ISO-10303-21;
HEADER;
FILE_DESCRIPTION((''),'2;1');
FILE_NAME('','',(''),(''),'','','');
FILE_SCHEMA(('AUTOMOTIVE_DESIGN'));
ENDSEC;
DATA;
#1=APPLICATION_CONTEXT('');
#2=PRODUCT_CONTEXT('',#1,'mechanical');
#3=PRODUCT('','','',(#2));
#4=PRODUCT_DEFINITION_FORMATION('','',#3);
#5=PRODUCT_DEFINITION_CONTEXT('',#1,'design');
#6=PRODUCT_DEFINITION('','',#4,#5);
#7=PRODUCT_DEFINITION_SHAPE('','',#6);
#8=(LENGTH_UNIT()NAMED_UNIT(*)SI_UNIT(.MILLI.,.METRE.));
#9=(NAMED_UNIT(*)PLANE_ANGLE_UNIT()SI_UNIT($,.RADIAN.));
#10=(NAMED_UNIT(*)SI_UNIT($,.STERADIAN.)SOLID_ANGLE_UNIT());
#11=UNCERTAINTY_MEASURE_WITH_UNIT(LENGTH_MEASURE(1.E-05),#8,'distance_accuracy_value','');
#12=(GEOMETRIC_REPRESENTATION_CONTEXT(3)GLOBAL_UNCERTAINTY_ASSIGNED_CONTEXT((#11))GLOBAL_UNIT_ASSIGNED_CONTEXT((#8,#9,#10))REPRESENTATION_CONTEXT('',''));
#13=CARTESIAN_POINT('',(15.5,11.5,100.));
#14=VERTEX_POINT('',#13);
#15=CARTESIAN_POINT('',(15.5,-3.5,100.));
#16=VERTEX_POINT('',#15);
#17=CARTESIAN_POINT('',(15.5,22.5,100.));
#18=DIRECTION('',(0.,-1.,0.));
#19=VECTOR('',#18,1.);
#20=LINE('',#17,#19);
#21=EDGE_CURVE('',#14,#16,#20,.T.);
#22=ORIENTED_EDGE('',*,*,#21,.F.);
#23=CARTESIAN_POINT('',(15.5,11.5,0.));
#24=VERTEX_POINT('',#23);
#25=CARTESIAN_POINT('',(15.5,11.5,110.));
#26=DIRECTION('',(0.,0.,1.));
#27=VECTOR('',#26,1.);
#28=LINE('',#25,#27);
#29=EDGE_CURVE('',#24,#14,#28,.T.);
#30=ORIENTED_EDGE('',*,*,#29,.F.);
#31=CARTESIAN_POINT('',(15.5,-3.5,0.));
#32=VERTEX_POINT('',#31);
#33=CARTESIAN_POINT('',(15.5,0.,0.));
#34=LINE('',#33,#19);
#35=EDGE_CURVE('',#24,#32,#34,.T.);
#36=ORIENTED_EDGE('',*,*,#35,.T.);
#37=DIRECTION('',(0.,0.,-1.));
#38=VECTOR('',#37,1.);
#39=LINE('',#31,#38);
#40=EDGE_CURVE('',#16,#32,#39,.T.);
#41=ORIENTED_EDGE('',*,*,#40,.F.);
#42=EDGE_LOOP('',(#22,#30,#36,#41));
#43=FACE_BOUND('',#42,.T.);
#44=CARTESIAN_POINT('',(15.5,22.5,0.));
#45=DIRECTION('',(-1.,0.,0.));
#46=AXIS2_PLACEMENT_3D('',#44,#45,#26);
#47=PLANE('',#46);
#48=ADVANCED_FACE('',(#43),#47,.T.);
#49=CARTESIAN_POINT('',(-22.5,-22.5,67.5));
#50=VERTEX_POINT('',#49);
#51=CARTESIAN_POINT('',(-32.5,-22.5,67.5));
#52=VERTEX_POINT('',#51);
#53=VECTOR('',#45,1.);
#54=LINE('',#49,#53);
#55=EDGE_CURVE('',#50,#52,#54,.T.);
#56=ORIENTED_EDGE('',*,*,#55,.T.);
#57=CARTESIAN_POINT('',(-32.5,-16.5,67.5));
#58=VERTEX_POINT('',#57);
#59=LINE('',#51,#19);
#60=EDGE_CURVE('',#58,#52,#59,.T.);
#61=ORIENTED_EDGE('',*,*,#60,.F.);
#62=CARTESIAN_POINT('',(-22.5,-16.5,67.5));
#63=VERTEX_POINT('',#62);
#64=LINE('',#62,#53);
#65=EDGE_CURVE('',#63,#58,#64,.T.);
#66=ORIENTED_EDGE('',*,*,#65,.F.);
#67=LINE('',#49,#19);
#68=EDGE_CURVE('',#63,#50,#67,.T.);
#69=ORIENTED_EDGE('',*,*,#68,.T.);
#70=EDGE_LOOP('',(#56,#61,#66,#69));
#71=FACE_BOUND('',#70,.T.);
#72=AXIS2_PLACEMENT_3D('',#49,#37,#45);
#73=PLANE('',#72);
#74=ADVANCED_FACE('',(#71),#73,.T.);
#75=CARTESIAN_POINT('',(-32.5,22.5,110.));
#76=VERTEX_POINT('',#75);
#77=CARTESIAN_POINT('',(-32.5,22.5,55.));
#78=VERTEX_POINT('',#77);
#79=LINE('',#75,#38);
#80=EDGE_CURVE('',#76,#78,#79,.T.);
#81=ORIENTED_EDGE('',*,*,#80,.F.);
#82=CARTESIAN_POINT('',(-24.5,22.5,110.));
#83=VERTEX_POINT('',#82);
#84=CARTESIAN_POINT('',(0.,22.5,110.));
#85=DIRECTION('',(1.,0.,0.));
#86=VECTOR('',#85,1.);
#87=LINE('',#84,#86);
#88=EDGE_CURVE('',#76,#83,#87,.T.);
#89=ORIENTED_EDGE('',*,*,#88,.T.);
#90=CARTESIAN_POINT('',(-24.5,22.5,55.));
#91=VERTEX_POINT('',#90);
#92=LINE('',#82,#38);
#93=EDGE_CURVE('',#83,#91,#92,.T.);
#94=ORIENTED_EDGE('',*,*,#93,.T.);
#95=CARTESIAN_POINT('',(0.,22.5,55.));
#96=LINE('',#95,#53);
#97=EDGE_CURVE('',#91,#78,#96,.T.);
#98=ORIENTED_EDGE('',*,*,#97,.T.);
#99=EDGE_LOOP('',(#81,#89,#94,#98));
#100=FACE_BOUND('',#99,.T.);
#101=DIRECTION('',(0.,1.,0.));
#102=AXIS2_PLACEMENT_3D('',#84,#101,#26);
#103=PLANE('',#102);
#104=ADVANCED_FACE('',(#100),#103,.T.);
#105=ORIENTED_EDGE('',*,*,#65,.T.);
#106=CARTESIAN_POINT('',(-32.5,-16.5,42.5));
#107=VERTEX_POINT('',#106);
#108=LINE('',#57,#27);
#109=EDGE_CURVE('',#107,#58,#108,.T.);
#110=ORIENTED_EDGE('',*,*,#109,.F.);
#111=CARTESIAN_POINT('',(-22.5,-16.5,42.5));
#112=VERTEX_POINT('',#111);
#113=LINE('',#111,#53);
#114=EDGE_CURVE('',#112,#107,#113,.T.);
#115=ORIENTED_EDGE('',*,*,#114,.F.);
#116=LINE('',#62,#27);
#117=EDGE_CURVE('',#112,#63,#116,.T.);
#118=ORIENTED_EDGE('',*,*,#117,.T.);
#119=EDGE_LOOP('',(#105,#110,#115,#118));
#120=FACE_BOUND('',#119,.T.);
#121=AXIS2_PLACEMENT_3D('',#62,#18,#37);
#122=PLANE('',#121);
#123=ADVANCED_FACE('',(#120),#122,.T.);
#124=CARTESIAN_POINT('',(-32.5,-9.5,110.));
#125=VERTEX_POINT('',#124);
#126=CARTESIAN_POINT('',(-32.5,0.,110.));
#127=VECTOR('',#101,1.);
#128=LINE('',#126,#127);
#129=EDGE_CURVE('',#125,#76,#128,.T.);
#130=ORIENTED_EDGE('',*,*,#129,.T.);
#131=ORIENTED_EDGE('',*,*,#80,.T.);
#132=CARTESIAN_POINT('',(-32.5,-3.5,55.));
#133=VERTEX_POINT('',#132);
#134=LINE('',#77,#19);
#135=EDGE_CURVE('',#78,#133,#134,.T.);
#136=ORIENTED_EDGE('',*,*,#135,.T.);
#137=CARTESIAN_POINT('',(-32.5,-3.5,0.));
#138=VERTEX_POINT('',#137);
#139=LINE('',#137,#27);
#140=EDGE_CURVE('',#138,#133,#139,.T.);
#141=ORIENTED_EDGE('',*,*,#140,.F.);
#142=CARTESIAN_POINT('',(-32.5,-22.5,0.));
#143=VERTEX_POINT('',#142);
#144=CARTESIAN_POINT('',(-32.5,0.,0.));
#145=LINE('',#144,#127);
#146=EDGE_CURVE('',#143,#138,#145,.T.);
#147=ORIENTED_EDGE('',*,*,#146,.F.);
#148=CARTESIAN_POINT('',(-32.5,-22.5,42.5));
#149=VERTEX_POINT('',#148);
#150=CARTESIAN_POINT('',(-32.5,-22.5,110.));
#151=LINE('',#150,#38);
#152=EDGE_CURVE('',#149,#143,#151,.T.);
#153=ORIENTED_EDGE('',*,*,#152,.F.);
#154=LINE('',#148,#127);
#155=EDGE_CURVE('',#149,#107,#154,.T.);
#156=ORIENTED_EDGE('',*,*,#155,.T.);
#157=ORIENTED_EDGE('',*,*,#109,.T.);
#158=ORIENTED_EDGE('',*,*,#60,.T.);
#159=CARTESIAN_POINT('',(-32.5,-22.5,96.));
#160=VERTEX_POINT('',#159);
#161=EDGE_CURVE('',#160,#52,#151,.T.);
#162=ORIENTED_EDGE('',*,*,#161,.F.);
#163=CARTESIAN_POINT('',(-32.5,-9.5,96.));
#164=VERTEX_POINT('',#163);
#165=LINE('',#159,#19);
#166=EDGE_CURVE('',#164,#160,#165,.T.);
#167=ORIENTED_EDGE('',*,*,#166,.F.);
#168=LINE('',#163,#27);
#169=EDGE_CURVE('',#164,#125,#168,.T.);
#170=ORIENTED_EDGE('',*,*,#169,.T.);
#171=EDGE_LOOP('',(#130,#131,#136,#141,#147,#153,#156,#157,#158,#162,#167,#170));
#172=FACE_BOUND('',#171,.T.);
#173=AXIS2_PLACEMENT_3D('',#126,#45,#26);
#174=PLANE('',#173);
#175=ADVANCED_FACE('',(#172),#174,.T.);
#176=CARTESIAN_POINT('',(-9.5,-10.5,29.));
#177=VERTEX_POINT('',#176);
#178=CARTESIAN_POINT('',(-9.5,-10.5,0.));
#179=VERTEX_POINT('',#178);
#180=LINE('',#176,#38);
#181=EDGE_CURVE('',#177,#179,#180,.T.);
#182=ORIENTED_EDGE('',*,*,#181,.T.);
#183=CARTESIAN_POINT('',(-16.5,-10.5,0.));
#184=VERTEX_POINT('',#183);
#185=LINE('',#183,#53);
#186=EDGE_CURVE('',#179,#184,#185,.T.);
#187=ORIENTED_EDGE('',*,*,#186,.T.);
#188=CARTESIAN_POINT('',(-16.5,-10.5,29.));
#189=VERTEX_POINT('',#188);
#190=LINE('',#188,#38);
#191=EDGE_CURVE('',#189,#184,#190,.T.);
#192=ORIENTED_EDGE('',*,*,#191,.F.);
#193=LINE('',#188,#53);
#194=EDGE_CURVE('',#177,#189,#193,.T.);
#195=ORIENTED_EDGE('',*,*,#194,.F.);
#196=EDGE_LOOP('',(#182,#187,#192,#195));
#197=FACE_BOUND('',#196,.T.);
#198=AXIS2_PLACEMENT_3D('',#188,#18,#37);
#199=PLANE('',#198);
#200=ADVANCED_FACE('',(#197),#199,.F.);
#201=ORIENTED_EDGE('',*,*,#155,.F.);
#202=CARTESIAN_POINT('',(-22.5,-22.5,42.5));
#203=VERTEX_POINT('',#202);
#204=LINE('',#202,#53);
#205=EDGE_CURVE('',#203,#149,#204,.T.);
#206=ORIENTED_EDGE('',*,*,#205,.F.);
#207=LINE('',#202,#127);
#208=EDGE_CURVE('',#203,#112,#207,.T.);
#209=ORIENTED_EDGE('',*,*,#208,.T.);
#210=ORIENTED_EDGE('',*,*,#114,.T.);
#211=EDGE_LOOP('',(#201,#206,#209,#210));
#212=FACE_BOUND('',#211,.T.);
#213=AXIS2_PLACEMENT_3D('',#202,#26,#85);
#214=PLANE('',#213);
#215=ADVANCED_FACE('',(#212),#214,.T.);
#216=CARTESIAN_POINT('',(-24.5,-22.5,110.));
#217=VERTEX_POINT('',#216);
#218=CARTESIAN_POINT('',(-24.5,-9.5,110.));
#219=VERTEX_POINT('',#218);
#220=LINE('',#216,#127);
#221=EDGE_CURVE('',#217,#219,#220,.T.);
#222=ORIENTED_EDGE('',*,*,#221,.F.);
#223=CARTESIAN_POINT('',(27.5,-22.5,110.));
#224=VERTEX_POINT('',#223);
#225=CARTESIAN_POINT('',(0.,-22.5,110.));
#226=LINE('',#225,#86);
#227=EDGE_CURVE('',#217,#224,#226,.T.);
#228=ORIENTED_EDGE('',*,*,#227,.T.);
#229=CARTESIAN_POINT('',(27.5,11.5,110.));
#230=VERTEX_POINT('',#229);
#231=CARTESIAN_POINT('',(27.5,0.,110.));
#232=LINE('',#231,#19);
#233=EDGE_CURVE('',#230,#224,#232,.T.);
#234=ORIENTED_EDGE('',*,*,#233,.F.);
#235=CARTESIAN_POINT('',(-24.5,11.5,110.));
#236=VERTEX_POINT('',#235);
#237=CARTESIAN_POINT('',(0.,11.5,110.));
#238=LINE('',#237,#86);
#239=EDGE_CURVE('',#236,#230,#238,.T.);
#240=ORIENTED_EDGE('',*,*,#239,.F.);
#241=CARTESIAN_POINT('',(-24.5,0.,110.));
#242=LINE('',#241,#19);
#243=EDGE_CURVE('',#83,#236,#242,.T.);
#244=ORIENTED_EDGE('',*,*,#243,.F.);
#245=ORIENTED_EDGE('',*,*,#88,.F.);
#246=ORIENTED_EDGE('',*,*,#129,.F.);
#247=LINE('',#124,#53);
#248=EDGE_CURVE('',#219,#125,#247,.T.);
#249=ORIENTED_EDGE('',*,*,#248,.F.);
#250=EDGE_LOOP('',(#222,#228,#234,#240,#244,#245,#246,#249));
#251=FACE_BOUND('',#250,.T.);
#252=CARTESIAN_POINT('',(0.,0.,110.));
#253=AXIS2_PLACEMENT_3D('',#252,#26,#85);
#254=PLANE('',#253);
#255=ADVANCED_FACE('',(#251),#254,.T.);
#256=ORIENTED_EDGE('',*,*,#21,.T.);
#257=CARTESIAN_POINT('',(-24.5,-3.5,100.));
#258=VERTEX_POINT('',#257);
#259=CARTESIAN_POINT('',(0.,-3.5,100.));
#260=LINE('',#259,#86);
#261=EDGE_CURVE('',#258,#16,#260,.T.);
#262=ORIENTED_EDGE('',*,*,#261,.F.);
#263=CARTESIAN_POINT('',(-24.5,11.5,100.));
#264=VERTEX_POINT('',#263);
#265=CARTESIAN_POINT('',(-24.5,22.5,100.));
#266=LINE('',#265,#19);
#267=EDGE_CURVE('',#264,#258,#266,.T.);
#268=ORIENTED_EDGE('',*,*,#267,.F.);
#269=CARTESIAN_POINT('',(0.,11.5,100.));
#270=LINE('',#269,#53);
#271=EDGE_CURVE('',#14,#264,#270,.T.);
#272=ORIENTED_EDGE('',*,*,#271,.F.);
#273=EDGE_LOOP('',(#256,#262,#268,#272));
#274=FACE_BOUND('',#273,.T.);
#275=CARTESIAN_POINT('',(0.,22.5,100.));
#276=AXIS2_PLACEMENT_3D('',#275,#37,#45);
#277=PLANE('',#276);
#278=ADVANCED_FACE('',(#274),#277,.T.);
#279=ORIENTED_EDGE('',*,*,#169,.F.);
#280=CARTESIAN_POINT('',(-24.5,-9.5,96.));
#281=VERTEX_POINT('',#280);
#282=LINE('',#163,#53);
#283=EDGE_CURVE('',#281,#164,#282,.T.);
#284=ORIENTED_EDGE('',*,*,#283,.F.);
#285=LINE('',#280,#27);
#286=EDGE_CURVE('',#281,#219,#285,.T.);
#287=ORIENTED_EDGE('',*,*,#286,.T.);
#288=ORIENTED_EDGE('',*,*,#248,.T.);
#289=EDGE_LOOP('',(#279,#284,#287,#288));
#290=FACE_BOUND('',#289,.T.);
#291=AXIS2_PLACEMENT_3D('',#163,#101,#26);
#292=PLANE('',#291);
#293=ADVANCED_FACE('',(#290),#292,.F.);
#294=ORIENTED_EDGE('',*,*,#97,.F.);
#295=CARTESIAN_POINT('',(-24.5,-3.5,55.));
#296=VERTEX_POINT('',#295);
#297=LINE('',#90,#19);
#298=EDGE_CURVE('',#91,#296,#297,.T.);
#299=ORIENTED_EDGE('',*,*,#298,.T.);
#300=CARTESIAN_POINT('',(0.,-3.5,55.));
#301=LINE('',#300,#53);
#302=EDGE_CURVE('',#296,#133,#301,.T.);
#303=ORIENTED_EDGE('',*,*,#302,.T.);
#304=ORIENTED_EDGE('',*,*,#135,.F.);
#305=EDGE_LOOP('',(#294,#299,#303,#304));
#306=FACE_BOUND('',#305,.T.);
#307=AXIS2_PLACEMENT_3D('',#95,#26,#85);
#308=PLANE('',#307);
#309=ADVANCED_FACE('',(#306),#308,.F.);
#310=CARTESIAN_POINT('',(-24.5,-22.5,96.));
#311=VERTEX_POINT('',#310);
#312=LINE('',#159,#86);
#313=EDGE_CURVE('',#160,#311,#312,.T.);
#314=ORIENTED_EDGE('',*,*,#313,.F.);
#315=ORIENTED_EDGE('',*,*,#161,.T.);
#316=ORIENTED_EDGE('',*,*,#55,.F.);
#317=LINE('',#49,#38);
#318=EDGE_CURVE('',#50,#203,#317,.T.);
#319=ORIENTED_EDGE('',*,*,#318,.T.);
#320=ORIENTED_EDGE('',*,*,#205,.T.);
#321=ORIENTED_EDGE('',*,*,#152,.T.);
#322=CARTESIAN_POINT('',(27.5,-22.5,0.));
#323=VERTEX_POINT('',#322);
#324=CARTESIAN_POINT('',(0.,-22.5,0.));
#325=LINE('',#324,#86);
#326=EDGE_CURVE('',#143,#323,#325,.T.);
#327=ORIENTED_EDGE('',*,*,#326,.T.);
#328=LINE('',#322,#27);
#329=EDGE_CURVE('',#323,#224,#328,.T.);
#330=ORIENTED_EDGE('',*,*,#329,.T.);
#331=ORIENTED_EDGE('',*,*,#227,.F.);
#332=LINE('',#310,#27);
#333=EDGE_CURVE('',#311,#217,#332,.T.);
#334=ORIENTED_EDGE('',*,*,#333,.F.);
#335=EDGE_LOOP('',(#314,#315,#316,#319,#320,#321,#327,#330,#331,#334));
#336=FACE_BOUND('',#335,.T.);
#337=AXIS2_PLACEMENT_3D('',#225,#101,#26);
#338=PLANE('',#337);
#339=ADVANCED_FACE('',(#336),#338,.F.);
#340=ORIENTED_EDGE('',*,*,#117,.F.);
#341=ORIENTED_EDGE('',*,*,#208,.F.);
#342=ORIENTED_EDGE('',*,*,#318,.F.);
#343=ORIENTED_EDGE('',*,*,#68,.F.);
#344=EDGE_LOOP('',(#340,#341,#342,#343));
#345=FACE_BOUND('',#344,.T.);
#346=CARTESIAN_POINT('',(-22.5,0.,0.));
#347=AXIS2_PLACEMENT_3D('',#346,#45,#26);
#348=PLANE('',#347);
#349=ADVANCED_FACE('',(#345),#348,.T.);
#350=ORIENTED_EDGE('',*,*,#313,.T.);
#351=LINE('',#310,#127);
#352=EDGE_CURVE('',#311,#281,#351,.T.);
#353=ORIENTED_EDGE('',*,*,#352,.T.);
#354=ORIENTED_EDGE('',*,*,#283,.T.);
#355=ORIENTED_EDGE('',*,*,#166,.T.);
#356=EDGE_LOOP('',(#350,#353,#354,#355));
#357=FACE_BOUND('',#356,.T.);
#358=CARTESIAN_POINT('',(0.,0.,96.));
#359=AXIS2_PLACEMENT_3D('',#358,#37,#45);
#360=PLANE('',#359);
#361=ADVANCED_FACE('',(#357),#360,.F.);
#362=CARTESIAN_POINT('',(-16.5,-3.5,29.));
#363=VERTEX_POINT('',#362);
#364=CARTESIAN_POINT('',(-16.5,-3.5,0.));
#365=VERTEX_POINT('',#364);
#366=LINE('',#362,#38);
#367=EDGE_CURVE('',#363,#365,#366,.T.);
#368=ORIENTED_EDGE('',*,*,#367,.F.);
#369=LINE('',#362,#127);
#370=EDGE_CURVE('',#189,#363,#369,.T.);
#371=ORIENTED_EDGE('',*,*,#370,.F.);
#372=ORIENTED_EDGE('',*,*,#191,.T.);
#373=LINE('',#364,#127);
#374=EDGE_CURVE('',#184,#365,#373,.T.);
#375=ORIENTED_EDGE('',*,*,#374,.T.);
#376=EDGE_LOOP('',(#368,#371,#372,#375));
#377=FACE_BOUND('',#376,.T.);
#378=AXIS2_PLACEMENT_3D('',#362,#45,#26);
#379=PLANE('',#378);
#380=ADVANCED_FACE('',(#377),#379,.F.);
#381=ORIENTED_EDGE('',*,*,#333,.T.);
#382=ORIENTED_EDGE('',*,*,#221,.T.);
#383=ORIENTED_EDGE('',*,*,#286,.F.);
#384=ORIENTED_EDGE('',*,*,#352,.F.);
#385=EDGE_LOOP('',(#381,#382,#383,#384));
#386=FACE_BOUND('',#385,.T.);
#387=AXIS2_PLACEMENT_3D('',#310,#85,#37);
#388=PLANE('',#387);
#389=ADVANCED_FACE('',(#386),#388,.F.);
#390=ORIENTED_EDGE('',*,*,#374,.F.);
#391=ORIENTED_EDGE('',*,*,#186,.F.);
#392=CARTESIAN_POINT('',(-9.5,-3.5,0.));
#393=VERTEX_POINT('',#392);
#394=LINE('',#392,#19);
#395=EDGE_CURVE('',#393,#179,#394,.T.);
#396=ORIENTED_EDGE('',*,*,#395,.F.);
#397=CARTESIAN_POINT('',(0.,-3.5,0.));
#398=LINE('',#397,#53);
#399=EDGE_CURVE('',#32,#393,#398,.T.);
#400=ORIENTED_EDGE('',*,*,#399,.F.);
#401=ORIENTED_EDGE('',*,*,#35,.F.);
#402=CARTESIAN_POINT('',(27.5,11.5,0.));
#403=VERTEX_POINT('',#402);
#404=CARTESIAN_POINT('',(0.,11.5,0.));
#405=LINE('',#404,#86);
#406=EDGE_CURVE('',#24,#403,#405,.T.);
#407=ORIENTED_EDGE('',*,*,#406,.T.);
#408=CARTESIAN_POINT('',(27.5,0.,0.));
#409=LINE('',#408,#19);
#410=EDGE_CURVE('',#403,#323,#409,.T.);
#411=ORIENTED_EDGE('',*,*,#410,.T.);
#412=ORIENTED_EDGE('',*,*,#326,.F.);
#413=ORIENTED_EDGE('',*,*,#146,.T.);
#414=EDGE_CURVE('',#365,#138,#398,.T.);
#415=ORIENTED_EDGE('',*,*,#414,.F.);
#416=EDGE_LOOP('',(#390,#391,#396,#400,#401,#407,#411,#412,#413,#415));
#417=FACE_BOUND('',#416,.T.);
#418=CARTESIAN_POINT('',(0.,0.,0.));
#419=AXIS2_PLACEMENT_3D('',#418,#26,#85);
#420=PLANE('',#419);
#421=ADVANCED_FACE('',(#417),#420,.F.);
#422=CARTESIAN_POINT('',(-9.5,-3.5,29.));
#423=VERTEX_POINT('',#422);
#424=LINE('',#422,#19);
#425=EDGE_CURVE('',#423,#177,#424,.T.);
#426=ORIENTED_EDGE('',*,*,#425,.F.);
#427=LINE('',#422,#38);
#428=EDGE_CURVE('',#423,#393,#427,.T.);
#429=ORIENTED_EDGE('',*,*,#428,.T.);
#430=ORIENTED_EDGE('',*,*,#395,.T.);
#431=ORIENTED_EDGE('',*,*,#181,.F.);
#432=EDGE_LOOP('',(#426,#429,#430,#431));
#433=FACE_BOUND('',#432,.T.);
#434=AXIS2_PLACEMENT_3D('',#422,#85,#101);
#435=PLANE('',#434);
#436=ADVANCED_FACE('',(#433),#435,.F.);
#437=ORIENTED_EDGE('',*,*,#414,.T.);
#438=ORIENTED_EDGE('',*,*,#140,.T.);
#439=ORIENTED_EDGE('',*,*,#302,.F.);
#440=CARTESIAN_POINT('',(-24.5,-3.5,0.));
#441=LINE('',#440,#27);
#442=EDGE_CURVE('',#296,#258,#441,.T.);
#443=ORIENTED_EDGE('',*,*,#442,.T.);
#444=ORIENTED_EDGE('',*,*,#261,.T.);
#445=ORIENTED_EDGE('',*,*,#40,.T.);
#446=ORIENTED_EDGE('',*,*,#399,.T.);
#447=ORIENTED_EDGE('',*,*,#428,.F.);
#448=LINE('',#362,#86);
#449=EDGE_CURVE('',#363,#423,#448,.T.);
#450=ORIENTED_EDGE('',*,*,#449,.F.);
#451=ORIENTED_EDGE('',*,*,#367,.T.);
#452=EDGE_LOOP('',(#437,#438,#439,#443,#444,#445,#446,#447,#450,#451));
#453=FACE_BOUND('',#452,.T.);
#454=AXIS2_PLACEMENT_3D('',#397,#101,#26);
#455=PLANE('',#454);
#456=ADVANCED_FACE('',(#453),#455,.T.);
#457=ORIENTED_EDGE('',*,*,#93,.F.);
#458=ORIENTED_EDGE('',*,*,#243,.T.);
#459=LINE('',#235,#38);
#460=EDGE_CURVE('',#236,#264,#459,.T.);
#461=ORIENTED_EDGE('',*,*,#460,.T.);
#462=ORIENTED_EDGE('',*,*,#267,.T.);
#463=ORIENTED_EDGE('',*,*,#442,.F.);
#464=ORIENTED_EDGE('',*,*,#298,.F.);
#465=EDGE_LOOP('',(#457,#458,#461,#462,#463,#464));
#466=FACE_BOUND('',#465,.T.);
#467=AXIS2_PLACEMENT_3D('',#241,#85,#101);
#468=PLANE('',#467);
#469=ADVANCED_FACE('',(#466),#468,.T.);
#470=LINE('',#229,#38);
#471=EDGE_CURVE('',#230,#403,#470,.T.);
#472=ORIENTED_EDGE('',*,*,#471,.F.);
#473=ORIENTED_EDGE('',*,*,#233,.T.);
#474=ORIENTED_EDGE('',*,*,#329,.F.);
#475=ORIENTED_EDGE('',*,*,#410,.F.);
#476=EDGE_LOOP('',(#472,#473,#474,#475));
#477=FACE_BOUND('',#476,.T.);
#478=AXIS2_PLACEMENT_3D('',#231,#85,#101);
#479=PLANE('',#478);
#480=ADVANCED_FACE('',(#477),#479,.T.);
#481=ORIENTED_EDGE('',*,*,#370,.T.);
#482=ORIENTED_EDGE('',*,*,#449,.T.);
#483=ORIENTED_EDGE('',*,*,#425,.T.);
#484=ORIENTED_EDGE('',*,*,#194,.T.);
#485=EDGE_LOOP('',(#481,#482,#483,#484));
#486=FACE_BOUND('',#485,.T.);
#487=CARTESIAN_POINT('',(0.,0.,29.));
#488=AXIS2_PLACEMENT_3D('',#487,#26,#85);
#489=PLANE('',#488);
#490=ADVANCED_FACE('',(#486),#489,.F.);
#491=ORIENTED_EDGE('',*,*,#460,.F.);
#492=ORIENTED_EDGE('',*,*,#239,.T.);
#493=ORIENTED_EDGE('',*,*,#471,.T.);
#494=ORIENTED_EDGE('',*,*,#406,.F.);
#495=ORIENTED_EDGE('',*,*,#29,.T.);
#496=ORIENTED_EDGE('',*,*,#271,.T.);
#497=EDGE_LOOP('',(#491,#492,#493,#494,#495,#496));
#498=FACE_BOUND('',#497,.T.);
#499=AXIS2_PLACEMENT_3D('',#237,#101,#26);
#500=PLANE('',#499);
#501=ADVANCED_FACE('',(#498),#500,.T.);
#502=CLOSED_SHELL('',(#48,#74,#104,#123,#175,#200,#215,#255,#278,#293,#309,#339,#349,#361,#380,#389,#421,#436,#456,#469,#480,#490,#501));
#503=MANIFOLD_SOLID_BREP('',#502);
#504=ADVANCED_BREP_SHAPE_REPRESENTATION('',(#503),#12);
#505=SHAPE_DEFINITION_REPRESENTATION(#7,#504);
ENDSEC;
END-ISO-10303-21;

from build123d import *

# Parameters (mm, degrees)
EXTRUDE_1_DEPTH          = 110
SKETCH_2_W               = 8
SKETCH_2_H               = 13
CUT_EXTRUDE_1_DEPTH      = 14
CUT_EXTRUDE_4_DEPTH      = 120.63381629
CUT_EXTRUDE_4_DEPTH_BACK = 15
SKETCH_4_W               = 8
SKETCH_4_H               = 55
SKETCH_5_W               = 7
SKETCH_5_H               = 7
CUT_EXTRUDE_5_DEPTH      = 29
SKETCH_3_W               = 25
SKETCH_3_H               = 6
CUT_EXTRUDE_6_DEPTH      = 10
SKETCH_6_W               = 5
SKETCH_6_H               = 110
CUT_EXTRUDE_7_DEPTH      = 119.30997422


with BuildPart() as part:
    # Эскиз1 → Бобышка-Вытянуть1 (new body)
    with BuildSketch(Plane.XY):
        Polygon((-32.5, 22.5), (-32.5, -22.5), (32.5, -22.5), (32.5, -6.5), (27.5, -6.5), (27.5, 11.5), (-24.5, 11.5), (-24.5, 22.5), align=None)
    extrude(amount=EXTRUDE_1_DEPTH)

    # Эскиз2 → Вырез-Вытянуть1 (cut)
    with BuildSketch(Plane.XY.offset(110)):
        with Locations((-28.5, -16)):
            Rectangle(SKETCH_2_W, SKETCH_2_H)
    extrude(amount=-CUT_EXTRUDE_1_DEPTH, mode=Mode.SUBTRACT)

    # Эскиз4 → Вырез-Вытянуть4 (cut, two sides: drawn at the far end of the back side and taken through both)
    with BuildSketch(Plane(origin=(0, 11.5, 0), x_dir=(1, 0, 0), z_dir=(0, 1, 0)).offset(-CUT_EXTRUDE_4_DEPTH_BACK)):
        Polygon((-24.5, -55), (-24.5, -100), (15.5, -100), (15.5, 0), (-24.5, 0), align=None)
        with Locations((-28.5, -27.5)):
            Rectangle(SKETCH_4_W, SKETCH_4_H)
    extrude(amount=CUT_EXTRUDE_4_DEPTH + CUT_EXTRUDE_4_DEPTH_BACK, mode=Mode.SUBTRACT)

    # Эскиз5 → Вырез-Вытянуть5 (cut)
    with BuildSketch(Plane(origin=(0, 0, 0), x_dir=(-1, 0, 0), z_dir=(0, 0, -1))):
        with Locations((13, -7)):
            Rectangle(SKETCH_5_W, SKETCH_5_H)
    extrude(amount=-CUT_EXTRUDE_5_DEPTH, mode=Mode.SUBTRACT)

    # Эскиз3 → Вырез-Вытянуть6 (cut)
    with BuildSketch(Plane(origin=(-32.5, 0, 0), x_dir=(0, 0, -1), z_dir=(1, 0, 0))):
        with Locations((-55, -19.5)):
            Rectangle(SKETCH_3_W, SKETCH_3_H)
    extrude(amount=CUT_EXTRUDE_6_DEPTH, mode=Mode.SUBTRACT)

    # Эскиз6 → Вырез-Вытянуть7 (cut, through all)
    with BuildSketch(Plane(origin=(0, -6.5, 0), x_dir=(1, 0, 0), z_dir=(0, 1, 0))):
        with Locations((30, -55)):
            Rectangle(SKETCH_6_W, SKETCH_6_H)
    extrude(amount=-CUT_EXTRUDE_7_DEPTH, mode=Mode.SUBTRACT)


solid = part.part
